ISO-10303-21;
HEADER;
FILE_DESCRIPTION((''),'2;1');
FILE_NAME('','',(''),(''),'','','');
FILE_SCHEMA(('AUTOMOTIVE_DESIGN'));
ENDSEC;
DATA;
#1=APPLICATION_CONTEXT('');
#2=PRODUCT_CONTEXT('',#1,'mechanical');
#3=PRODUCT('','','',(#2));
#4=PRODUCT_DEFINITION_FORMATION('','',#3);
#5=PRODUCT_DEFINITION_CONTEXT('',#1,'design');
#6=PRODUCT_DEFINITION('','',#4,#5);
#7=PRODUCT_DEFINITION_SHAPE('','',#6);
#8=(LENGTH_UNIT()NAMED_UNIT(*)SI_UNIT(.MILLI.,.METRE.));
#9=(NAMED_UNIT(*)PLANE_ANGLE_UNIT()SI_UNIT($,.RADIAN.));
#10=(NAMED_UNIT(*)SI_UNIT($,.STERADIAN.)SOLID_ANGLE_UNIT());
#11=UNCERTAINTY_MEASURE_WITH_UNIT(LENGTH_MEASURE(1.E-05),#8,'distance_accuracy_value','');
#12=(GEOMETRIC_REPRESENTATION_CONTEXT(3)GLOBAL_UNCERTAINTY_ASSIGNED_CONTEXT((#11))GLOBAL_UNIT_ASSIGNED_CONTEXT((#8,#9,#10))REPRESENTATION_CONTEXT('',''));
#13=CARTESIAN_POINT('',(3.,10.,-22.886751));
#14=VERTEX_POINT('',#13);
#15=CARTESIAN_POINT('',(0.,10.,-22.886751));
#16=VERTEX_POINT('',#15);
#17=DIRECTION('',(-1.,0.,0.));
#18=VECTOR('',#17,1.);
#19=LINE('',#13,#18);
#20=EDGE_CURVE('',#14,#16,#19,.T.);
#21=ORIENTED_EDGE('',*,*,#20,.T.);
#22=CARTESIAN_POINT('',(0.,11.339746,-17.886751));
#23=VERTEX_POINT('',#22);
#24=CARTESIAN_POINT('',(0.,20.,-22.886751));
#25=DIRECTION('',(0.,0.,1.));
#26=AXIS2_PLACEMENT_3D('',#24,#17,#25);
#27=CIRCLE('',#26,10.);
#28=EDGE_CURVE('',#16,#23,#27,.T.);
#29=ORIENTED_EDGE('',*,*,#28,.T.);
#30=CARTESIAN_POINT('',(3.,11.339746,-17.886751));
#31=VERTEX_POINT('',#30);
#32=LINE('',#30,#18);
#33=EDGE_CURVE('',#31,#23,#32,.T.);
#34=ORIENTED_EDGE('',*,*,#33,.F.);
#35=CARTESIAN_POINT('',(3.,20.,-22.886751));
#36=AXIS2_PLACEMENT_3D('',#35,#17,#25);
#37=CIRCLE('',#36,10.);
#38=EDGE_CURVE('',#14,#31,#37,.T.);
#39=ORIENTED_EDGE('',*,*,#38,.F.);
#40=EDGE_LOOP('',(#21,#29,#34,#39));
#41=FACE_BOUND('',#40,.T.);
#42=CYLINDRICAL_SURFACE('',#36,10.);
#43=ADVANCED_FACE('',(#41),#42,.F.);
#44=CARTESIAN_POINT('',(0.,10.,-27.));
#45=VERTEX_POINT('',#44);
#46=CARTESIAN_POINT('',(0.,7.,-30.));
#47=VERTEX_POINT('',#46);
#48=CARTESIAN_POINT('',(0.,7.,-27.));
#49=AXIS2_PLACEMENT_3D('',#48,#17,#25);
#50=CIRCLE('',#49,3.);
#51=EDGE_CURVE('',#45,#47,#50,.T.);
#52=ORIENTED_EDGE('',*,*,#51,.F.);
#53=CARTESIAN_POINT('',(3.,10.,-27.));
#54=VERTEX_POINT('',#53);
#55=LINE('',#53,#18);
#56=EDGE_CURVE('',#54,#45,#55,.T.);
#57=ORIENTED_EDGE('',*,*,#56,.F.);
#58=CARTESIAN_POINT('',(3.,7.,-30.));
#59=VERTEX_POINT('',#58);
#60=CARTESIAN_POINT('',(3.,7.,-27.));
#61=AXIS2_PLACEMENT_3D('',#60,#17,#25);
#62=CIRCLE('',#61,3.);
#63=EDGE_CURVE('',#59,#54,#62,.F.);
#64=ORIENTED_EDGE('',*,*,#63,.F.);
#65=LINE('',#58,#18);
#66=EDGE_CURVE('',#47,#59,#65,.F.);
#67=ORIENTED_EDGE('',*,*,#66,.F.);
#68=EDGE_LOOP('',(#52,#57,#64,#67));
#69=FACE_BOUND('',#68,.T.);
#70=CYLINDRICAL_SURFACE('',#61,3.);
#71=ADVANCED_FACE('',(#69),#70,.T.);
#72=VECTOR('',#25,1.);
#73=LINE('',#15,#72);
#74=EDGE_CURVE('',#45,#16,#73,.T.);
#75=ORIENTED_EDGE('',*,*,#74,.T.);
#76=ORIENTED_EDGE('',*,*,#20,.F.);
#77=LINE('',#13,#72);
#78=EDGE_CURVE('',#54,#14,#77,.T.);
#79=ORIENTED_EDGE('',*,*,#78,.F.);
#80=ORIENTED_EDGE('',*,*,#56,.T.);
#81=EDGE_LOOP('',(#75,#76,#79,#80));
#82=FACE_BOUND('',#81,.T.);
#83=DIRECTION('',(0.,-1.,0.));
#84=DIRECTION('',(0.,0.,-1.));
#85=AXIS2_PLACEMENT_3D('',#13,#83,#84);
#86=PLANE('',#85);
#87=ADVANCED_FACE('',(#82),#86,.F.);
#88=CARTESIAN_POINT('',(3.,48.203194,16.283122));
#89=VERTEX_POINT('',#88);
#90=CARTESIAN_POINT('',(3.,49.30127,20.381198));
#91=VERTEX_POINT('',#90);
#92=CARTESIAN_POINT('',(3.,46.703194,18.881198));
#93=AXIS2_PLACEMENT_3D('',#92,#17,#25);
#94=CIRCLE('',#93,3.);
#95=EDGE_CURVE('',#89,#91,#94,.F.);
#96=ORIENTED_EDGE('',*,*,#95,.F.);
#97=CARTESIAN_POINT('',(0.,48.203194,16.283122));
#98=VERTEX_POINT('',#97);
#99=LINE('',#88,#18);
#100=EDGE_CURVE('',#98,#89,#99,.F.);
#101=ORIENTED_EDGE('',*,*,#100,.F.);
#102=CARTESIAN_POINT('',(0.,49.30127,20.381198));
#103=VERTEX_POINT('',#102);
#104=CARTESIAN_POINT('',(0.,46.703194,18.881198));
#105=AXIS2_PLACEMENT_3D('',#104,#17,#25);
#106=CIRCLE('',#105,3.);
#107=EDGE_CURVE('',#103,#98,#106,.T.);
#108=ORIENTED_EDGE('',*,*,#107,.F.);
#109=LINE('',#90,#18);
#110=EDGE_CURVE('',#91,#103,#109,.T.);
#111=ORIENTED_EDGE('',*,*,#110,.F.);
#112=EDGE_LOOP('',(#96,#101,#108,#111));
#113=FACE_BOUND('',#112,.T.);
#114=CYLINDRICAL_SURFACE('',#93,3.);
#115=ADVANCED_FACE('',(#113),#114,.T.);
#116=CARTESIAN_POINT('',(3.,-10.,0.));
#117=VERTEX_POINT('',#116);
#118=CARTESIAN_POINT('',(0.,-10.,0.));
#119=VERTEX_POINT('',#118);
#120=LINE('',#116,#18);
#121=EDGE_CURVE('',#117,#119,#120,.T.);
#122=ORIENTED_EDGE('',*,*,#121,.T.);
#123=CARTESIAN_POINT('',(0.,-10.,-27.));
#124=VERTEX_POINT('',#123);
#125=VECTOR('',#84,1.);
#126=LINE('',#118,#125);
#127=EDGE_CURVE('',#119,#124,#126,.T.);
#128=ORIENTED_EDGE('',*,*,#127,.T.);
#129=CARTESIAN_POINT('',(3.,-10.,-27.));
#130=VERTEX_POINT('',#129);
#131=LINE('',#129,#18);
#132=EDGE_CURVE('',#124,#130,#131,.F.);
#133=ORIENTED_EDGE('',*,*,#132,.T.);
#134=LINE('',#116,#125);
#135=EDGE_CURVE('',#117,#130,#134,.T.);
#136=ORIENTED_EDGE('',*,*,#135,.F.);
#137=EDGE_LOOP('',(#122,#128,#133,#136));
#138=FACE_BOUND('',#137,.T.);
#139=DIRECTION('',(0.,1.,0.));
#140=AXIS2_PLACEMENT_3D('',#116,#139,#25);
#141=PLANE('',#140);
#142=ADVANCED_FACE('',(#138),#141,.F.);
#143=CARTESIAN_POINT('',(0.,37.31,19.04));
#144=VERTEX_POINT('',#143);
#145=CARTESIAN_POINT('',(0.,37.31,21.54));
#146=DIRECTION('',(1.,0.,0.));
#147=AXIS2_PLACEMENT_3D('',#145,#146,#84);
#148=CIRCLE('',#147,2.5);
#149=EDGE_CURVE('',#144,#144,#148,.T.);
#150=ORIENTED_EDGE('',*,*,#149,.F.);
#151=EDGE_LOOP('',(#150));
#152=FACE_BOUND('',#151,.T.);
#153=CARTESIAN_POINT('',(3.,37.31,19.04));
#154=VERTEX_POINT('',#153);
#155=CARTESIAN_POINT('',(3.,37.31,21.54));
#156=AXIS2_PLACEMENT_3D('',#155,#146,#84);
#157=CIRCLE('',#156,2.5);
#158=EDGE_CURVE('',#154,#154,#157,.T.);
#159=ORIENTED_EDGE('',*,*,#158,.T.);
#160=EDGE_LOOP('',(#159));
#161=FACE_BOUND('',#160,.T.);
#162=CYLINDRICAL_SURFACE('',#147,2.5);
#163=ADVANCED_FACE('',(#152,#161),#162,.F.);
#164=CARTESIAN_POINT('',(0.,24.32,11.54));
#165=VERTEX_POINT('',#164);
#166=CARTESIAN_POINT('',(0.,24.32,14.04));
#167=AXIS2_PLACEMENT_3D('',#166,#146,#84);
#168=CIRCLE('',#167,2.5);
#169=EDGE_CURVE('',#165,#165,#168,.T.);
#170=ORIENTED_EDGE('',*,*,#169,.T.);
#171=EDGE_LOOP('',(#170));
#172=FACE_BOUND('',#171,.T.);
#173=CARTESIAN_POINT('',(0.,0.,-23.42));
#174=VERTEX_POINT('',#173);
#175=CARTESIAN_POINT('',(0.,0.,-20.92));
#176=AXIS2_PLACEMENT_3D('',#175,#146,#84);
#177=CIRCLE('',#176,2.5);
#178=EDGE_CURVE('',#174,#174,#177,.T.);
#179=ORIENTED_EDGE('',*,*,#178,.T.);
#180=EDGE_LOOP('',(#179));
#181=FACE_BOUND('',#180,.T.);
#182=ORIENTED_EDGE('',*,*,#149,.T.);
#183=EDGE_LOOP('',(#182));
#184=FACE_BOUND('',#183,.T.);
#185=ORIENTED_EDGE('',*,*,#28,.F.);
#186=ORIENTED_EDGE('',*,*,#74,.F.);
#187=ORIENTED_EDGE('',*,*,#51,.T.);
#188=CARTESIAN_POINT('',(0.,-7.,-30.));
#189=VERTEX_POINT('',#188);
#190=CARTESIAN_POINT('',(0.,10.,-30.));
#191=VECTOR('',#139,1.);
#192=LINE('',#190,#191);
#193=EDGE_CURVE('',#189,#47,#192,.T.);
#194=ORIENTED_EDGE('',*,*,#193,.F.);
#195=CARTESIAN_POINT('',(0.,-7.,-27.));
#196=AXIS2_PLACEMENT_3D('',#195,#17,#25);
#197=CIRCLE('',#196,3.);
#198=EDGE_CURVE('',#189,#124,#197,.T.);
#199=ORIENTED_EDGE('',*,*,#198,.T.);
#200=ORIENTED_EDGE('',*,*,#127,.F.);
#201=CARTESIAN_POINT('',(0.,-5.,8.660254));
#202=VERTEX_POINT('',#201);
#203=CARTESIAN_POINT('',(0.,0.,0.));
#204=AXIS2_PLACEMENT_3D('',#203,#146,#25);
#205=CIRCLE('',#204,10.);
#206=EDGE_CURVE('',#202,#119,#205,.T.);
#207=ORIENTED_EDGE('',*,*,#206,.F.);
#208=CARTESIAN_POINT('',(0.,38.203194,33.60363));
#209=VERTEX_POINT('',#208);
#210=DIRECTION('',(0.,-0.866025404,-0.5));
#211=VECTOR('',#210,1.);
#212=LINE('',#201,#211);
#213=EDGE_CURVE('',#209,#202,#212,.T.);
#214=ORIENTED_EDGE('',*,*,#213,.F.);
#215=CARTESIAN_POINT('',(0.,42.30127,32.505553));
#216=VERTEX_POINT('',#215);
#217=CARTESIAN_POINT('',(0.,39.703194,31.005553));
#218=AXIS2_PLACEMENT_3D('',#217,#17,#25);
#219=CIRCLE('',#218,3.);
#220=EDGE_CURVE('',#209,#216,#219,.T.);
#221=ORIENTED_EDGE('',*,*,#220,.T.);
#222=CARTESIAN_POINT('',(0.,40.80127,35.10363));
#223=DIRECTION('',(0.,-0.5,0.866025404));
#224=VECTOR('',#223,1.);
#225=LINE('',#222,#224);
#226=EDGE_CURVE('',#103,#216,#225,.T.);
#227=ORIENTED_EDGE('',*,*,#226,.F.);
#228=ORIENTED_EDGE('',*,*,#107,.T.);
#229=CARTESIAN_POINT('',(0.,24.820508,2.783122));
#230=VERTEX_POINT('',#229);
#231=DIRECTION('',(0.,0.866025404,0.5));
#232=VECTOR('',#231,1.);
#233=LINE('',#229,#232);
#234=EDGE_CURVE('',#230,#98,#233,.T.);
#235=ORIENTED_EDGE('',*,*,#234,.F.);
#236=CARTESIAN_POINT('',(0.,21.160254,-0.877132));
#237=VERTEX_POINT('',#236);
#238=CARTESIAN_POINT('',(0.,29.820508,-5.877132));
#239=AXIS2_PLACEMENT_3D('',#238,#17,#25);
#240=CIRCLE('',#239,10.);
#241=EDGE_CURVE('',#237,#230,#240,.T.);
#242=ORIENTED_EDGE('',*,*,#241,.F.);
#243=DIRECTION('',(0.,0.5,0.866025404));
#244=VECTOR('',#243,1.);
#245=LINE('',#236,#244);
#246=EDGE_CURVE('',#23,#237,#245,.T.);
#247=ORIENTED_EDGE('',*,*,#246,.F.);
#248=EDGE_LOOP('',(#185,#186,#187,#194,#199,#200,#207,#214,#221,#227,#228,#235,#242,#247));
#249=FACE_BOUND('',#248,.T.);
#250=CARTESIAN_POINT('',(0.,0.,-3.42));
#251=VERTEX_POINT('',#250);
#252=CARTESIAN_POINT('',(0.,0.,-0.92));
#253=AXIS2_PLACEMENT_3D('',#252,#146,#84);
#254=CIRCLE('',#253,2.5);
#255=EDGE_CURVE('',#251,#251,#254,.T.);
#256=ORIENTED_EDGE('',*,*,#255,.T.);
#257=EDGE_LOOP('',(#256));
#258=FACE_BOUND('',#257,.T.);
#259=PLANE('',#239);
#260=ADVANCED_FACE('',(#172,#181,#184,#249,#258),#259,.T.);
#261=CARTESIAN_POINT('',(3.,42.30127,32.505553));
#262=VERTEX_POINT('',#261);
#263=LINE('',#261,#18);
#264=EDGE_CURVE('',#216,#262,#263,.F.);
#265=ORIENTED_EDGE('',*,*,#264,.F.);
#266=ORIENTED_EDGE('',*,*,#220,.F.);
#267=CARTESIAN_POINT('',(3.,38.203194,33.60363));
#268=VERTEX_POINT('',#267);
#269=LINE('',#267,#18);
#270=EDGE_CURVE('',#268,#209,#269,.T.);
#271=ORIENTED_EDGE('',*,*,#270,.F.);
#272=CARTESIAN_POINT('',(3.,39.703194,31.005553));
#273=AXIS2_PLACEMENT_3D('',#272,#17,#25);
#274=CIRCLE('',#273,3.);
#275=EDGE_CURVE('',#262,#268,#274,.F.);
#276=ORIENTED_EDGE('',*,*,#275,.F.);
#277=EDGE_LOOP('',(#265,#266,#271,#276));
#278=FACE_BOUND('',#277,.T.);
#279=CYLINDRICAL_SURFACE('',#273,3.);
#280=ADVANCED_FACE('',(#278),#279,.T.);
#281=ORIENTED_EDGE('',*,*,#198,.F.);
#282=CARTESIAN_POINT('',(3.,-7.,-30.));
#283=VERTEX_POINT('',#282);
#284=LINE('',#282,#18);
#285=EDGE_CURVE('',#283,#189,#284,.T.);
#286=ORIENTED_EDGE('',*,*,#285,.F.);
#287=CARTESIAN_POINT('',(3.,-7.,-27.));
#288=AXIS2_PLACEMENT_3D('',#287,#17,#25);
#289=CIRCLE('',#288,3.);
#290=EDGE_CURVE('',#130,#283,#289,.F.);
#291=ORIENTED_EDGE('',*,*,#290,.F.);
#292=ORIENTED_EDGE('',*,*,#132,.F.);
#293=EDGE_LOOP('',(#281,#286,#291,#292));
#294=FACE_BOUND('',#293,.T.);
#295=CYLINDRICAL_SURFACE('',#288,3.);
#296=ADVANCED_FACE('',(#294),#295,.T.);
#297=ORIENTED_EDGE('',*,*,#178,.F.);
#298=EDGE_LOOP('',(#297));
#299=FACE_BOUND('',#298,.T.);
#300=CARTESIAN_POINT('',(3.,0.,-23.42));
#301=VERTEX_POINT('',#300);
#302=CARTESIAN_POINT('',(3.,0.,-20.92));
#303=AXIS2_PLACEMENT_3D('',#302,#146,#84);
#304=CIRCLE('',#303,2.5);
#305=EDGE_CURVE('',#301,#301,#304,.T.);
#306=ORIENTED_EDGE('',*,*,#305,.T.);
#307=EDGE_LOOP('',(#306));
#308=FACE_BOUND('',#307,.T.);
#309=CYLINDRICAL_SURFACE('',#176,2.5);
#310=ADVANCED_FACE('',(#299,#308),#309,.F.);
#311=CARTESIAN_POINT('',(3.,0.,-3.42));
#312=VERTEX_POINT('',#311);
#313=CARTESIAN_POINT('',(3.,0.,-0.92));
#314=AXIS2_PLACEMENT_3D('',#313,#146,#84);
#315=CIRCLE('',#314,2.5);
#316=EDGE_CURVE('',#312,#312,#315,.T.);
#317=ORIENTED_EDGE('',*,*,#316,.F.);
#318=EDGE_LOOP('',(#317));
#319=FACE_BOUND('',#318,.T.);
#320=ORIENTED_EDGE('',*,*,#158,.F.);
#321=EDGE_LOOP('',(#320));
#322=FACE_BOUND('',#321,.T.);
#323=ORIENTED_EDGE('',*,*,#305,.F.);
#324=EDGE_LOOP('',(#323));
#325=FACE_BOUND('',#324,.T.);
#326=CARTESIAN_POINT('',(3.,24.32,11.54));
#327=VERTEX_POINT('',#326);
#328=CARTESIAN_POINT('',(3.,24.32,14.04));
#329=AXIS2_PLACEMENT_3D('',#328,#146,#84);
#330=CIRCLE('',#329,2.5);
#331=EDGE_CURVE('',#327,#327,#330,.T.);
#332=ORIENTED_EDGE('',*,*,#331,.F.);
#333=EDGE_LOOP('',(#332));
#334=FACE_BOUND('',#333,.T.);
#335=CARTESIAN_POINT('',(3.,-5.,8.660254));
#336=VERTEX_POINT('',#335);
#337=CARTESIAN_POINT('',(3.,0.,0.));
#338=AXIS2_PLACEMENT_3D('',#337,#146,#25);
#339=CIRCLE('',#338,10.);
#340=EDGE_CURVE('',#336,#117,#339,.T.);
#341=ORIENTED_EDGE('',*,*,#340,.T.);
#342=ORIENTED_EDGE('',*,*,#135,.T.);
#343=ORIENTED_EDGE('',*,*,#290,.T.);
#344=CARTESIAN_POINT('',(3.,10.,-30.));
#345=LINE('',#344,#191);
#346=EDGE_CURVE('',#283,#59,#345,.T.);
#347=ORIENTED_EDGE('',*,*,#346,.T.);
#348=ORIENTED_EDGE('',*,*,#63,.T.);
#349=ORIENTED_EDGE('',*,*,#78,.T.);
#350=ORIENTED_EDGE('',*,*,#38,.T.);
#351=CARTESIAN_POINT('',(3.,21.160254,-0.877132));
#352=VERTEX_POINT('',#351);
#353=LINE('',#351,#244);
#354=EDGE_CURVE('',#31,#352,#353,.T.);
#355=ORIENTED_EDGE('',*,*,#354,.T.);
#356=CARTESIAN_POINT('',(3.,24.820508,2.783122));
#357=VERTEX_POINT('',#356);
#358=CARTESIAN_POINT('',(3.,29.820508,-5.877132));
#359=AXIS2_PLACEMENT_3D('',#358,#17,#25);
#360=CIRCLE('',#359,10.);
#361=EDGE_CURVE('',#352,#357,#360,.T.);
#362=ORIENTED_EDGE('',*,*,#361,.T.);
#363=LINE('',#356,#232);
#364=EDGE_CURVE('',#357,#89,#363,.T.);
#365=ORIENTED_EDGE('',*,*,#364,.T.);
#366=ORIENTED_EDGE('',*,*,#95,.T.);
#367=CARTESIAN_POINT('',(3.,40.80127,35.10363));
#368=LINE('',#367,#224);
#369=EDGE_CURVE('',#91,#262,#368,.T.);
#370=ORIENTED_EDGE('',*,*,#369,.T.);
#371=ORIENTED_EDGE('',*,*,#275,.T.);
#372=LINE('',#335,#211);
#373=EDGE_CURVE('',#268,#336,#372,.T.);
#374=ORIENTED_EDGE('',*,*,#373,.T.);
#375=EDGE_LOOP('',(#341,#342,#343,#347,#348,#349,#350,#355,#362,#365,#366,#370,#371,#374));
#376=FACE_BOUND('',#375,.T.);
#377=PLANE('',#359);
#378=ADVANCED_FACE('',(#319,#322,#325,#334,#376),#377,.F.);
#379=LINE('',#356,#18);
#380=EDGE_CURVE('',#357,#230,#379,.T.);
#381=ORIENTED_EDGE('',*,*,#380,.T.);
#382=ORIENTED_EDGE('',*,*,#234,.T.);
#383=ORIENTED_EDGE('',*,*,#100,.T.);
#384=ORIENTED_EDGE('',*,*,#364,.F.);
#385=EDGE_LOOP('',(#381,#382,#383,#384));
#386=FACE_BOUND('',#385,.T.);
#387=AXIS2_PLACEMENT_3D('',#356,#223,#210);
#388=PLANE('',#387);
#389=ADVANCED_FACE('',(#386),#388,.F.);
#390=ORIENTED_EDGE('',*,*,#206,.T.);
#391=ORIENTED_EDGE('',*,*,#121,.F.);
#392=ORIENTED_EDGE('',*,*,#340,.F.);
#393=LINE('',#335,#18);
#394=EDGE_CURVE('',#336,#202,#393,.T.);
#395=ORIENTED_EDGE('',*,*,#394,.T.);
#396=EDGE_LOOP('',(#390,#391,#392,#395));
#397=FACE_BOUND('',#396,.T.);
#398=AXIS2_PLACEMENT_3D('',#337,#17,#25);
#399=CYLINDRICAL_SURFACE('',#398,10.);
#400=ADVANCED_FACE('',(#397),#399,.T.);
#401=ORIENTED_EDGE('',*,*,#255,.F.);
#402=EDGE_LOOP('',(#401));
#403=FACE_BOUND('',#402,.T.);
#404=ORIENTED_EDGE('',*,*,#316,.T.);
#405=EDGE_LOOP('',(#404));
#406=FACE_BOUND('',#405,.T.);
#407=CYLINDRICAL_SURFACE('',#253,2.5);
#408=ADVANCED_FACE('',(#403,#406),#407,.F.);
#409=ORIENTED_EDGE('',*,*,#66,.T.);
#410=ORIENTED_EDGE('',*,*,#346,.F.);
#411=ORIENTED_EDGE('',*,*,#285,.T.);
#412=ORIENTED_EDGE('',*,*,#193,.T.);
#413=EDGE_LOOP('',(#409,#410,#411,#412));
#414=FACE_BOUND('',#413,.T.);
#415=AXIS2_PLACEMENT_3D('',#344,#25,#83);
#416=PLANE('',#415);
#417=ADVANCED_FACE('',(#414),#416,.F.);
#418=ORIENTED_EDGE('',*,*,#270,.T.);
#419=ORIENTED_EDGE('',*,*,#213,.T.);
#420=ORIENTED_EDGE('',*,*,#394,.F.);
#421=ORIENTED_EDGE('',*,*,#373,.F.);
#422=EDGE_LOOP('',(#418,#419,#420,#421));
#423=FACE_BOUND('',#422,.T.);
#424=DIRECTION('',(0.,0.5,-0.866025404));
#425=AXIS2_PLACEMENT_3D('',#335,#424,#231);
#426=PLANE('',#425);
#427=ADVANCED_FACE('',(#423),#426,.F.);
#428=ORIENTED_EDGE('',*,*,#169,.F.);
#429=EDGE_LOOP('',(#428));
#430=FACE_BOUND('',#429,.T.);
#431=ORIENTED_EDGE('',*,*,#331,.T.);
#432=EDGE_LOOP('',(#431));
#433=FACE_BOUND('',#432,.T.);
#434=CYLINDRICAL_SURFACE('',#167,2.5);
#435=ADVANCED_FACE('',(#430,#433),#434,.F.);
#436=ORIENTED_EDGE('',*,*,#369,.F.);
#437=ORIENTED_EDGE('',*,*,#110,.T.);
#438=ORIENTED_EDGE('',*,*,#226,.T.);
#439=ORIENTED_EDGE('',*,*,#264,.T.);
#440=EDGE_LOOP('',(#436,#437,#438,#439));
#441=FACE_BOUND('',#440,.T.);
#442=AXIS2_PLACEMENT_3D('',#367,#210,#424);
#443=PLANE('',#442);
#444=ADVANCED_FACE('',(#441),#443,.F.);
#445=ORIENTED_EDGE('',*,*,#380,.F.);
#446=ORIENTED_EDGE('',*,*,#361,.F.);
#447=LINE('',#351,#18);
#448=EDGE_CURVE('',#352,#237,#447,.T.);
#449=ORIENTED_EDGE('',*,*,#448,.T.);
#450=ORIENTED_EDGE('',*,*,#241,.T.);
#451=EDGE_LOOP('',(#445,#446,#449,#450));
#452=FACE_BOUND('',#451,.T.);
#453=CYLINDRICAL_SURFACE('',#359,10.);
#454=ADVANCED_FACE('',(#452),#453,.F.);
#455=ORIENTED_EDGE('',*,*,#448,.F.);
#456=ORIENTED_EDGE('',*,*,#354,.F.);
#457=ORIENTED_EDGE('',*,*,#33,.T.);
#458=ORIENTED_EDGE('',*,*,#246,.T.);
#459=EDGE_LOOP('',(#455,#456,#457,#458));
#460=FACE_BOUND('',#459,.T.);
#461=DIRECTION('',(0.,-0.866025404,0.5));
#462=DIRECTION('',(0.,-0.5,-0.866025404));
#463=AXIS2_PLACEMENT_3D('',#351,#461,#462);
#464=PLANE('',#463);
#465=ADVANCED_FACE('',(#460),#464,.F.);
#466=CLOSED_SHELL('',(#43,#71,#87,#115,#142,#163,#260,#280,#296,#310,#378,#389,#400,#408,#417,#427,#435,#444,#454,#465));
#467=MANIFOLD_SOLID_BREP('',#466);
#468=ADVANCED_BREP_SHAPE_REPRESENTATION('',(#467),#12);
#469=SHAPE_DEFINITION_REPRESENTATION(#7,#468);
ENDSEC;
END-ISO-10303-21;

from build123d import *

# Parameters (mm, degrees)
BOSS_EXTRUDE1_DEPTH = 3
SKETCH2_R           = 2.5
CUT_EXTRUDE1_DEPTH  = 62.822600008
FILLET1_R           = 3


with BuildPart() as part:
    # Sketch1 → Boss-Extrude1 (new body)
    with BuildSketch(Plane(origin=(0, 0, 0), x_dir=(0, 0, -1), z_dir=(1, 0, 0))):
        with BuildLine():
            Line((22.886751346, 10), (30, 10))
            Line((30, 10), (30, -10))
            Line((30, -10), (0, -10))
            ThreePointArc((0, -10), (-5, -8.660254038), (-8.660254038, -5))
            Line((-8.660254038, -5), (-35.103629711, 40.801270189))
            Line((-35.103629711, 40.801270189), (-17.783121635, 50.801270189))
            Line((-17.783121635, 50.801270189), (-2.783121635, 24.820508076))
            ThreePointArc((-2.783121635, 24.820508076), (-1.193935409, 22.749440264), (0.877132403, 21.160254038))
            Line((0.877132403, 21.160254038), (17.886751346, 11.339745962))
            ThreePointArc((17.886751346, 11.339745962), (20.298560895, 10.340741737), (22.886751346, 10))
        make_face()
    extrude(amount=BOSS_EXTRUDE1_DEPTH)

    # Sketch2 → Cut-Extrude1 (cut, through all)
    with BuildSketch(Plane(origin=(3, 0, 0), x_dir=(0, 0, -1), z_dir=(1, 0, 0))):
        with Locations((20.92, 0)):
            Circle(SKETCH2_R)
        with Locations((0.92, 0)):
            Circle(SKETCH2_R)
        with Locations((-14.04, 24.32)):
            Circle(SKETCH2_R)
        with Locations((-21.54, 37.31)):
            Circle(SKETCH2_R)
    extrude(amount=-CUT_EXTRUDE1_DEPTH, mode=Mode.SUBTRACT)

    # Fillet1
    fillet1_edges = [part.edges().sort_by_distance(p)[0] for p in [
        (1.5, 50.801270189, 17.783121635),
        (1.5, 10, -30),
        (1.5, -10, -30),
        (1.5, 40.801270189, 35.103629711),
    ]]
    fillet(fillet1_edges, radius=FILLET1_R)


solid = part.part
